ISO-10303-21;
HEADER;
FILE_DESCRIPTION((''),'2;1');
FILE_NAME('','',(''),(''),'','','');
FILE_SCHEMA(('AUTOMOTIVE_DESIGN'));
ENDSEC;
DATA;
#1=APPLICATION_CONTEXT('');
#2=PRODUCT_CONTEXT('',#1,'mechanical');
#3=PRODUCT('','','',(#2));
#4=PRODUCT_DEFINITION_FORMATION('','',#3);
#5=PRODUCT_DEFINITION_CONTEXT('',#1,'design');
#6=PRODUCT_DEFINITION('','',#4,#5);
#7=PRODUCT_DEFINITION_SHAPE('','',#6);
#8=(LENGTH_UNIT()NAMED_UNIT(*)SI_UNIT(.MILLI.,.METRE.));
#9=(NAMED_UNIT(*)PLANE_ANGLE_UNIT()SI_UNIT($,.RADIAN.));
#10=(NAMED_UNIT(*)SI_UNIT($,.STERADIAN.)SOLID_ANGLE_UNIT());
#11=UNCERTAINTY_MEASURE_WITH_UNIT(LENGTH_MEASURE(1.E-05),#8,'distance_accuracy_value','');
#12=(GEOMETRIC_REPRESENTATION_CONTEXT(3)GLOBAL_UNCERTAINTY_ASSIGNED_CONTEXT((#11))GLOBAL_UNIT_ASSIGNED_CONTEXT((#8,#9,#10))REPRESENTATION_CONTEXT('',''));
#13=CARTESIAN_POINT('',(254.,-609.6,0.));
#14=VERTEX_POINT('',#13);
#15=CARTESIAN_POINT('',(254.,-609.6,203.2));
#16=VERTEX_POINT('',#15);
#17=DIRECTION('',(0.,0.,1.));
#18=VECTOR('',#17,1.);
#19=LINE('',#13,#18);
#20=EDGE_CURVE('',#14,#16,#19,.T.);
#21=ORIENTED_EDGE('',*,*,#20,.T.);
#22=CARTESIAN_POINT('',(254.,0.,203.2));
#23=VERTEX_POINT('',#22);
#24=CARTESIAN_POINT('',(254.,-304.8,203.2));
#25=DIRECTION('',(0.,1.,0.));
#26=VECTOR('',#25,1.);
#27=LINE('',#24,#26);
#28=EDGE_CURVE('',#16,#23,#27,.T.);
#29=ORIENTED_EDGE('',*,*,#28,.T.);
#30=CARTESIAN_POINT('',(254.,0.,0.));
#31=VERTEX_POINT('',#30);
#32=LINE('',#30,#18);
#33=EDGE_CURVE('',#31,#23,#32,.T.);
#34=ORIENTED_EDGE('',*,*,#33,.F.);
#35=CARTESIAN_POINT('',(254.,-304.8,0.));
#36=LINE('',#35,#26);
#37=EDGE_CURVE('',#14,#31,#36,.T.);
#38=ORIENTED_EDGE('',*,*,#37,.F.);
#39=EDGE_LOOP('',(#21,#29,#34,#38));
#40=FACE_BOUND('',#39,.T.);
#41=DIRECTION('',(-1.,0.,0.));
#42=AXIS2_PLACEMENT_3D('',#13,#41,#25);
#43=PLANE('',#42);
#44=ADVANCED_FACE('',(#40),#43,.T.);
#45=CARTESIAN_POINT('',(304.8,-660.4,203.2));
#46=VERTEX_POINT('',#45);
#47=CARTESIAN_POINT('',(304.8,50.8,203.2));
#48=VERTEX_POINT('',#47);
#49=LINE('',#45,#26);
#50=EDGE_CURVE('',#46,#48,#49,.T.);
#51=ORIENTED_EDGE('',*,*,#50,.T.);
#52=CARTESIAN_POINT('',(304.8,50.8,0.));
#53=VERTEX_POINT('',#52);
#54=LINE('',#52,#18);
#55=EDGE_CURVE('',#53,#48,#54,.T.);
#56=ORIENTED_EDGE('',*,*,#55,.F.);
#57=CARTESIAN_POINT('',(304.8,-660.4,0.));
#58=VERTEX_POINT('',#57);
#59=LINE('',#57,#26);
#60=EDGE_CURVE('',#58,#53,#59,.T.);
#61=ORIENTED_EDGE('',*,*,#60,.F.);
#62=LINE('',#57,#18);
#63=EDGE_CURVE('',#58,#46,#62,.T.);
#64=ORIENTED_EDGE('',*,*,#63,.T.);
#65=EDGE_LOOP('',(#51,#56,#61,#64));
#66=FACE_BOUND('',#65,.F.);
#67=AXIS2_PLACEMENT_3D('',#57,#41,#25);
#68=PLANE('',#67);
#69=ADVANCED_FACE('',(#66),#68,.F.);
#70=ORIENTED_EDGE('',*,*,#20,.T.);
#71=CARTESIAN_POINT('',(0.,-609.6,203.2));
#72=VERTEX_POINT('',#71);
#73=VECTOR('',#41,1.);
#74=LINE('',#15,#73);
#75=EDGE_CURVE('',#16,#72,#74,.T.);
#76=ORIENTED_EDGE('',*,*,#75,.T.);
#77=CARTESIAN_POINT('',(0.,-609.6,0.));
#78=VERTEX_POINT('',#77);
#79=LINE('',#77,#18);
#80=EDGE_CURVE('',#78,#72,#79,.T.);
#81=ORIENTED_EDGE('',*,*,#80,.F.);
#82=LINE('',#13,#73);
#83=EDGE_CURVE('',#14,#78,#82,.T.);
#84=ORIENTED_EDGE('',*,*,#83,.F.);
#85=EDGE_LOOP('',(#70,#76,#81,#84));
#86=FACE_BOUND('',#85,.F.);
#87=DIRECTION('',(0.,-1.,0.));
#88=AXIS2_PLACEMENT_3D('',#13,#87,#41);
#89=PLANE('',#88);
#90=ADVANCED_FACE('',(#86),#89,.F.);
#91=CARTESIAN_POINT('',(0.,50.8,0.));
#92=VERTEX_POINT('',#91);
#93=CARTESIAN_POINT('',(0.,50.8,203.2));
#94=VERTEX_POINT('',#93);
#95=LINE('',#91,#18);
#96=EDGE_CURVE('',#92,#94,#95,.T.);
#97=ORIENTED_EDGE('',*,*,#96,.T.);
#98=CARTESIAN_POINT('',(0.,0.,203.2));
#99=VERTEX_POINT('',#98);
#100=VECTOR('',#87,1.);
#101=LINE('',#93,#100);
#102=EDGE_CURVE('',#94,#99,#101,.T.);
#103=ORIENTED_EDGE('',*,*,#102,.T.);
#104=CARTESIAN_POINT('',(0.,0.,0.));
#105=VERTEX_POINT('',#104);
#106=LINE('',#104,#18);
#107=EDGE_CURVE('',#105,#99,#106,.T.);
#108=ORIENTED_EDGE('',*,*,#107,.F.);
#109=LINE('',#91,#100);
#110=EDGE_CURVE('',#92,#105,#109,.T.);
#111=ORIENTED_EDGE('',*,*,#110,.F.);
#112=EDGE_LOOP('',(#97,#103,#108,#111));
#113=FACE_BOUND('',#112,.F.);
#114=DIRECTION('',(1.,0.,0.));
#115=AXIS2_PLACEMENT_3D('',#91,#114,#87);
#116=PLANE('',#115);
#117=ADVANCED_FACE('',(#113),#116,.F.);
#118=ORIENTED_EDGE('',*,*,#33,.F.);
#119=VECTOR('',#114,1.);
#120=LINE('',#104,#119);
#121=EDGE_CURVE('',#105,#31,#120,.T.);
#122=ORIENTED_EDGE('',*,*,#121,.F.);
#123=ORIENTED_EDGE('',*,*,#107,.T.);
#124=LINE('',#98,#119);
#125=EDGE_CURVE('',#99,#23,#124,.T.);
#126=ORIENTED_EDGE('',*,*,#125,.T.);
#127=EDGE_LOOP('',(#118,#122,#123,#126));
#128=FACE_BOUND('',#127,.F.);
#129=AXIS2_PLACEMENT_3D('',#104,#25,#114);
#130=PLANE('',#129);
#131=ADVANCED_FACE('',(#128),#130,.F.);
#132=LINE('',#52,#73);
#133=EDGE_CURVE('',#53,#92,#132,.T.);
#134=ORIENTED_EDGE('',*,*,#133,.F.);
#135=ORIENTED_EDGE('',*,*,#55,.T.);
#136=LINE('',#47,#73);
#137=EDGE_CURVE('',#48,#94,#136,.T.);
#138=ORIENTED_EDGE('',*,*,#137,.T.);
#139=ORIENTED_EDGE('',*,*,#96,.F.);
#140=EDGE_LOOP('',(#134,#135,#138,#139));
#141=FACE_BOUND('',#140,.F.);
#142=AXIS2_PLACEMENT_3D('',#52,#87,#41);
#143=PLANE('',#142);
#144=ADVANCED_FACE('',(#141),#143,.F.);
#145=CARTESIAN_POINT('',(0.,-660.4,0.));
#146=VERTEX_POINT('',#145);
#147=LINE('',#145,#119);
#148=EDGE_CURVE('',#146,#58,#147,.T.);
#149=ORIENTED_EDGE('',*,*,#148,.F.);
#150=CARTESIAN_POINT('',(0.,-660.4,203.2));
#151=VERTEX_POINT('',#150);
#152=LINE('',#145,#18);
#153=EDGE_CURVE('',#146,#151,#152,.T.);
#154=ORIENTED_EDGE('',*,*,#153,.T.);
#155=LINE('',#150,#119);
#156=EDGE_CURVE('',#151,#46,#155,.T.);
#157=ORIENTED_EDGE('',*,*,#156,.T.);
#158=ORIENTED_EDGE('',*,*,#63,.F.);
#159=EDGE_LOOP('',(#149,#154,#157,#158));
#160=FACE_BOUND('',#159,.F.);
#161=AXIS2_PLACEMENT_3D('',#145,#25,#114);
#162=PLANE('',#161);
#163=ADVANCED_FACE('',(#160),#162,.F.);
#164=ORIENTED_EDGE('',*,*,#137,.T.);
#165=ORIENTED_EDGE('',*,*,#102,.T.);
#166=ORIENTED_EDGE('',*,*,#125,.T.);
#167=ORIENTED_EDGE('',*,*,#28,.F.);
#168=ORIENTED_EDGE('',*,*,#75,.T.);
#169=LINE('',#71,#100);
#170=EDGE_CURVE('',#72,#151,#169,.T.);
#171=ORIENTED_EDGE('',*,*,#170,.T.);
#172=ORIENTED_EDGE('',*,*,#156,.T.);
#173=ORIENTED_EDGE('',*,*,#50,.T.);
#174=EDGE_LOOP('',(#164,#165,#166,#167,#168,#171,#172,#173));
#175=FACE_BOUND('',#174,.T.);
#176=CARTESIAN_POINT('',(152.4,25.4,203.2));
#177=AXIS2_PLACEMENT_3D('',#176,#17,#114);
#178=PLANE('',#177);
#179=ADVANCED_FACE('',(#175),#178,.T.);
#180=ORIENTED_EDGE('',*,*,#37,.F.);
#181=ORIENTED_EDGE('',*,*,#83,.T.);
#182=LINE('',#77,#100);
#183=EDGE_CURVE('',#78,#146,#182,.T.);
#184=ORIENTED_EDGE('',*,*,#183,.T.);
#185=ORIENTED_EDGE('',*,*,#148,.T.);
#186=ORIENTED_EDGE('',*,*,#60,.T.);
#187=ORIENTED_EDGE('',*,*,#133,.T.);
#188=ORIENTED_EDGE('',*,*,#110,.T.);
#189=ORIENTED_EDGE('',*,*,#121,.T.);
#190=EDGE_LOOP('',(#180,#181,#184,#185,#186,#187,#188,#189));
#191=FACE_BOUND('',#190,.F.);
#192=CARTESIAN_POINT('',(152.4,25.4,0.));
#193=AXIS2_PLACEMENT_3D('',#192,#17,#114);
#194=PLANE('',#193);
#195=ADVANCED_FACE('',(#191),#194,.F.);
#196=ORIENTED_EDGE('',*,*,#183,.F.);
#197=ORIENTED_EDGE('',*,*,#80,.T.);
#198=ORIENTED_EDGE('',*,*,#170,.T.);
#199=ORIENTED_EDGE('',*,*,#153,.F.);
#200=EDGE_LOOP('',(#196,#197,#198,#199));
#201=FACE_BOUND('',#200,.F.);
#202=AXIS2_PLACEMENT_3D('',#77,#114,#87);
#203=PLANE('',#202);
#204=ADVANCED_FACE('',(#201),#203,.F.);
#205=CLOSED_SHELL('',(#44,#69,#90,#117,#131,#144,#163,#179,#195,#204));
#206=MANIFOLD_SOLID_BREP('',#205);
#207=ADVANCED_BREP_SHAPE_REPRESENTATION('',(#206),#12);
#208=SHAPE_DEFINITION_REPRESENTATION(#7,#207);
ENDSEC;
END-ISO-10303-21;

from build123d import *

# Parameters (mm, degrees)
F0_W     = 50.8
F0_H     = 609.6
F1_DEPTH = 203.2


with BuildPart() as f1:
    # F0 (on Top) → F1 (new body)
    with BuildSketch(Plane.XY):
        Polygon((0, 50.8), (0, 0), (254, 0), (304.8, 0), (304.8, 50.8), align=None)
        with Locations((279.4, -304.8)):
            Rectangle(F0_W, F0_H)
        Polygon((304.8, -609.6), (254, -609.6), (0, -609.6), (0, -660.4), (304.8, -660.4), align=None)
    extrude(amount=F1_DEPTH)


solid = f1.part
